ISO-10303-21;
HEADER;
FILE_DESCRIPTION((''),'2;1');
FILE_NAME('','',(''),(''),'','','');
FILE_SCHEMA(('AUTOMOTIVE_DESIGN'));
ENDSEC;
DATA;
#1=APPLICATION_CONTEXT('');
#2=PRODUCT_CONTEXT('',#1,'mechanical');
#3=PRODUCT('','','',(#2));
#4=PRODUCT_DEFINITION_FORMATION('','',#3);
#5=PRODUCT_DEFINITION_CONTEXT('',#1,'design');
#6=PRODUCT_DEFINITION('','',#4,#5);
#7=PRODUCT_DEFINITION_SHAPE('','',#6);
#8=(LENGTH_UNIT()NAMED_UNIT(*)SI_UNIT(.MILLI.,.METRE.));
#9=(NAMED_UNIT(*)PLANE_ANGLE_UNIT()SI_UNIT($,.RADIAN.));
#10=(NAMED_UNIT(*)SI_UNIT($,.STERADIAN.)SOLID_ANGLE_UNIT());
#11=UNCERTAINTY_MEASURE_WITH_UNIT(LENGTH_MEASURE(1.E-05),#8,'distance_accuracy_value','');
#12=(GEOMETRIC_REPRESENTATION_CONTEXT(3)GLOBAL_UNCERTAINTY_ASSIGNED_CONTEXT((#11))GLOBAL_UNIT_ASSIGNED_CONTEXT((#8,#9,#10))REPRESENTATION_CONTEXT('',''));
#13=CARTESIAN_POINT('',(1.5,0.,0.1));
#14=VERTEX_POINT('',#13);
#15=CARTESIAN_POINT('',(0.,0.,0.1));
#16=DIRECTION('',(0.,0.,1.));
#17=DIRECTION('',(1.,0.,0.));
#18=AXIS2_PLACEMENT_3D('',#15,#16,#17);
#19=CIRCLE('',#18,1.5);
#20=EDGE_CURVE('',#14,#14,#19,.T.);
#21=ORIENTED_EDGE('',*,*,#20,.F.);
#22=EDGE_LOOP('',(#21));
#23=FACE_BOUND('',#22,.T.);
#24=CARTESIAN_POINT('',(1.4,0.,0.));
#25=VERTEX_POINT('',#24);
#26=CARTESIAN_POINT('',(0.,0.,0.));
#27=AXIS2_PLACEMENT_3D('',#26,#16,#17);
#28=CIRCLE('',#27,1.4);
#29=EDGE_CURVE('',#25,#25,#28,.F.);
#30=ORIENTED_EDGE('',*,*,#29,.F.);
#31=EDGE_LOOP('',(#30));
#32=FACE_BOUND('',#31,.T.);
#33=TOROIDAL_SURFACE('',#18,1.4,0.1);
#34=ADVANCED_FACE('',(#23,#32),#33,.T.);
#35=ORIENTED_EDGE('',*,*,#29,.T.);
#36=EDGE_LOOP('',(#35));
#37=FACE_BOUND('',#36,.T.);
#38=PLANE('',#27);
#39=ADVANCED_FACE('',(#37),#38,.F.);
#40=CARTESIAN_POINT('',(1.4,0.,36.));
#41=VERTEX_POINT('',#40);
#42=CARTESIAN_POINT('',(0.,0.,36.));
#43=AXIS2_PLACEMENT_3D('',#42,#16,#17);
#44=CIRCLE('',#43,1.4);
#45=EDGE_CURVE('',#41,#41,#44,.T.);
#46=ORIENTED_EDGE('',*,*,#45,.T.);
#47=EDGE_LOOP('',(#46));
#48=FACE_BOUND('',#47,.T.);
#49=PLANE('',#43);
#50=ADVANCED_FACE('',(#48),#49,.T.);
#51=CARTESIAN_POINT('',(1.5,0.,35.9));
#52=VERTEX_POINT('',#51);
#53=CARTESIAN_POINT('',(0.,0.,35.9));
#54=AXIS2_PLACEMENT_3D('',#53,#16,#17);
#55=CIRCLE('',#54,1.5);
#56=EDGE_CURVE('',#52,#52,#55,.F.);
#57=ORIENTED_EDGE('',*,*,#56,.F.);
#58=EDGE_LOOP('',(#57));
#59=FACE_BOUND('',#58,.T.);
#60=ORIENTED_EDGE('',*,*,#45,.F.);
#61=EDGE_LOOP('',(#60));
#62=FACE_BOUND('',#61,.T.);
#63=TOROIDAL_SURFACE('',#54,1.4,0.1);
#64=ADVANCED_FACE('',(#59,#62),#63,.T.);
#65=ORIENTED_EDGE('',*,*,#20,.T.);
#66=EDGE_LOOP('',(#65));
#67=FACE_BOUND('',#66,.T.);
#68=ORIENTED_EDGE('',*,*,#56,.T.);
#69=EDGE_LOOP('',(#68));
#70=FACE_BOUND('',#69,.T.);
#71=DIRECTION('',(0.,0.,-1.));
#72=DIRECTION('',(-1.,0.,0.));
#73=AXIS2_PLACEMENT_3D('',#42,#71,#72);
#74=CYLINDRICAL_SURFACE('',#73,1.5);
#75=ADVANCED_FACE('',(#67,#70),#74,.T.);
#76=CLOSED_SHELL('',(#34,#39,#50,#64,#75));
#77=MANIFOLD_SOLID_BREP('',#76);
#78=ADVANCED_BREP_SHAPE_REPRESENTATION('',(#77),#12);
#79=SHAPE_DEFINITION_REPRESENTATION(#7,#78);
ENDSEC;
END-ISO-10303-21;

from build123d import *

# Parameters (mm, degrees)
SKETCH1_R      = 1.5
EXTRUDE1_DEPTH = 36
FILLET1_R      = 0.1


with BuildPart() as part:
    # Sketch1 → Extrude1 (new body)
    with BuildSketch(Plane.XY):
        Circle(SKETCH1_R)
    extrude(amount=EXTRUDE1_DEPTH)

    # Fillet1
    fillet1_edges = [part.edges().sort_by_distance(p)[0] for p in [
        (-1.5, 0, 0),
        (-1.5, 0, 36),
    ]]
    fillet(fillet1_edges, radius=FILLET1_R)


solid = part.part
